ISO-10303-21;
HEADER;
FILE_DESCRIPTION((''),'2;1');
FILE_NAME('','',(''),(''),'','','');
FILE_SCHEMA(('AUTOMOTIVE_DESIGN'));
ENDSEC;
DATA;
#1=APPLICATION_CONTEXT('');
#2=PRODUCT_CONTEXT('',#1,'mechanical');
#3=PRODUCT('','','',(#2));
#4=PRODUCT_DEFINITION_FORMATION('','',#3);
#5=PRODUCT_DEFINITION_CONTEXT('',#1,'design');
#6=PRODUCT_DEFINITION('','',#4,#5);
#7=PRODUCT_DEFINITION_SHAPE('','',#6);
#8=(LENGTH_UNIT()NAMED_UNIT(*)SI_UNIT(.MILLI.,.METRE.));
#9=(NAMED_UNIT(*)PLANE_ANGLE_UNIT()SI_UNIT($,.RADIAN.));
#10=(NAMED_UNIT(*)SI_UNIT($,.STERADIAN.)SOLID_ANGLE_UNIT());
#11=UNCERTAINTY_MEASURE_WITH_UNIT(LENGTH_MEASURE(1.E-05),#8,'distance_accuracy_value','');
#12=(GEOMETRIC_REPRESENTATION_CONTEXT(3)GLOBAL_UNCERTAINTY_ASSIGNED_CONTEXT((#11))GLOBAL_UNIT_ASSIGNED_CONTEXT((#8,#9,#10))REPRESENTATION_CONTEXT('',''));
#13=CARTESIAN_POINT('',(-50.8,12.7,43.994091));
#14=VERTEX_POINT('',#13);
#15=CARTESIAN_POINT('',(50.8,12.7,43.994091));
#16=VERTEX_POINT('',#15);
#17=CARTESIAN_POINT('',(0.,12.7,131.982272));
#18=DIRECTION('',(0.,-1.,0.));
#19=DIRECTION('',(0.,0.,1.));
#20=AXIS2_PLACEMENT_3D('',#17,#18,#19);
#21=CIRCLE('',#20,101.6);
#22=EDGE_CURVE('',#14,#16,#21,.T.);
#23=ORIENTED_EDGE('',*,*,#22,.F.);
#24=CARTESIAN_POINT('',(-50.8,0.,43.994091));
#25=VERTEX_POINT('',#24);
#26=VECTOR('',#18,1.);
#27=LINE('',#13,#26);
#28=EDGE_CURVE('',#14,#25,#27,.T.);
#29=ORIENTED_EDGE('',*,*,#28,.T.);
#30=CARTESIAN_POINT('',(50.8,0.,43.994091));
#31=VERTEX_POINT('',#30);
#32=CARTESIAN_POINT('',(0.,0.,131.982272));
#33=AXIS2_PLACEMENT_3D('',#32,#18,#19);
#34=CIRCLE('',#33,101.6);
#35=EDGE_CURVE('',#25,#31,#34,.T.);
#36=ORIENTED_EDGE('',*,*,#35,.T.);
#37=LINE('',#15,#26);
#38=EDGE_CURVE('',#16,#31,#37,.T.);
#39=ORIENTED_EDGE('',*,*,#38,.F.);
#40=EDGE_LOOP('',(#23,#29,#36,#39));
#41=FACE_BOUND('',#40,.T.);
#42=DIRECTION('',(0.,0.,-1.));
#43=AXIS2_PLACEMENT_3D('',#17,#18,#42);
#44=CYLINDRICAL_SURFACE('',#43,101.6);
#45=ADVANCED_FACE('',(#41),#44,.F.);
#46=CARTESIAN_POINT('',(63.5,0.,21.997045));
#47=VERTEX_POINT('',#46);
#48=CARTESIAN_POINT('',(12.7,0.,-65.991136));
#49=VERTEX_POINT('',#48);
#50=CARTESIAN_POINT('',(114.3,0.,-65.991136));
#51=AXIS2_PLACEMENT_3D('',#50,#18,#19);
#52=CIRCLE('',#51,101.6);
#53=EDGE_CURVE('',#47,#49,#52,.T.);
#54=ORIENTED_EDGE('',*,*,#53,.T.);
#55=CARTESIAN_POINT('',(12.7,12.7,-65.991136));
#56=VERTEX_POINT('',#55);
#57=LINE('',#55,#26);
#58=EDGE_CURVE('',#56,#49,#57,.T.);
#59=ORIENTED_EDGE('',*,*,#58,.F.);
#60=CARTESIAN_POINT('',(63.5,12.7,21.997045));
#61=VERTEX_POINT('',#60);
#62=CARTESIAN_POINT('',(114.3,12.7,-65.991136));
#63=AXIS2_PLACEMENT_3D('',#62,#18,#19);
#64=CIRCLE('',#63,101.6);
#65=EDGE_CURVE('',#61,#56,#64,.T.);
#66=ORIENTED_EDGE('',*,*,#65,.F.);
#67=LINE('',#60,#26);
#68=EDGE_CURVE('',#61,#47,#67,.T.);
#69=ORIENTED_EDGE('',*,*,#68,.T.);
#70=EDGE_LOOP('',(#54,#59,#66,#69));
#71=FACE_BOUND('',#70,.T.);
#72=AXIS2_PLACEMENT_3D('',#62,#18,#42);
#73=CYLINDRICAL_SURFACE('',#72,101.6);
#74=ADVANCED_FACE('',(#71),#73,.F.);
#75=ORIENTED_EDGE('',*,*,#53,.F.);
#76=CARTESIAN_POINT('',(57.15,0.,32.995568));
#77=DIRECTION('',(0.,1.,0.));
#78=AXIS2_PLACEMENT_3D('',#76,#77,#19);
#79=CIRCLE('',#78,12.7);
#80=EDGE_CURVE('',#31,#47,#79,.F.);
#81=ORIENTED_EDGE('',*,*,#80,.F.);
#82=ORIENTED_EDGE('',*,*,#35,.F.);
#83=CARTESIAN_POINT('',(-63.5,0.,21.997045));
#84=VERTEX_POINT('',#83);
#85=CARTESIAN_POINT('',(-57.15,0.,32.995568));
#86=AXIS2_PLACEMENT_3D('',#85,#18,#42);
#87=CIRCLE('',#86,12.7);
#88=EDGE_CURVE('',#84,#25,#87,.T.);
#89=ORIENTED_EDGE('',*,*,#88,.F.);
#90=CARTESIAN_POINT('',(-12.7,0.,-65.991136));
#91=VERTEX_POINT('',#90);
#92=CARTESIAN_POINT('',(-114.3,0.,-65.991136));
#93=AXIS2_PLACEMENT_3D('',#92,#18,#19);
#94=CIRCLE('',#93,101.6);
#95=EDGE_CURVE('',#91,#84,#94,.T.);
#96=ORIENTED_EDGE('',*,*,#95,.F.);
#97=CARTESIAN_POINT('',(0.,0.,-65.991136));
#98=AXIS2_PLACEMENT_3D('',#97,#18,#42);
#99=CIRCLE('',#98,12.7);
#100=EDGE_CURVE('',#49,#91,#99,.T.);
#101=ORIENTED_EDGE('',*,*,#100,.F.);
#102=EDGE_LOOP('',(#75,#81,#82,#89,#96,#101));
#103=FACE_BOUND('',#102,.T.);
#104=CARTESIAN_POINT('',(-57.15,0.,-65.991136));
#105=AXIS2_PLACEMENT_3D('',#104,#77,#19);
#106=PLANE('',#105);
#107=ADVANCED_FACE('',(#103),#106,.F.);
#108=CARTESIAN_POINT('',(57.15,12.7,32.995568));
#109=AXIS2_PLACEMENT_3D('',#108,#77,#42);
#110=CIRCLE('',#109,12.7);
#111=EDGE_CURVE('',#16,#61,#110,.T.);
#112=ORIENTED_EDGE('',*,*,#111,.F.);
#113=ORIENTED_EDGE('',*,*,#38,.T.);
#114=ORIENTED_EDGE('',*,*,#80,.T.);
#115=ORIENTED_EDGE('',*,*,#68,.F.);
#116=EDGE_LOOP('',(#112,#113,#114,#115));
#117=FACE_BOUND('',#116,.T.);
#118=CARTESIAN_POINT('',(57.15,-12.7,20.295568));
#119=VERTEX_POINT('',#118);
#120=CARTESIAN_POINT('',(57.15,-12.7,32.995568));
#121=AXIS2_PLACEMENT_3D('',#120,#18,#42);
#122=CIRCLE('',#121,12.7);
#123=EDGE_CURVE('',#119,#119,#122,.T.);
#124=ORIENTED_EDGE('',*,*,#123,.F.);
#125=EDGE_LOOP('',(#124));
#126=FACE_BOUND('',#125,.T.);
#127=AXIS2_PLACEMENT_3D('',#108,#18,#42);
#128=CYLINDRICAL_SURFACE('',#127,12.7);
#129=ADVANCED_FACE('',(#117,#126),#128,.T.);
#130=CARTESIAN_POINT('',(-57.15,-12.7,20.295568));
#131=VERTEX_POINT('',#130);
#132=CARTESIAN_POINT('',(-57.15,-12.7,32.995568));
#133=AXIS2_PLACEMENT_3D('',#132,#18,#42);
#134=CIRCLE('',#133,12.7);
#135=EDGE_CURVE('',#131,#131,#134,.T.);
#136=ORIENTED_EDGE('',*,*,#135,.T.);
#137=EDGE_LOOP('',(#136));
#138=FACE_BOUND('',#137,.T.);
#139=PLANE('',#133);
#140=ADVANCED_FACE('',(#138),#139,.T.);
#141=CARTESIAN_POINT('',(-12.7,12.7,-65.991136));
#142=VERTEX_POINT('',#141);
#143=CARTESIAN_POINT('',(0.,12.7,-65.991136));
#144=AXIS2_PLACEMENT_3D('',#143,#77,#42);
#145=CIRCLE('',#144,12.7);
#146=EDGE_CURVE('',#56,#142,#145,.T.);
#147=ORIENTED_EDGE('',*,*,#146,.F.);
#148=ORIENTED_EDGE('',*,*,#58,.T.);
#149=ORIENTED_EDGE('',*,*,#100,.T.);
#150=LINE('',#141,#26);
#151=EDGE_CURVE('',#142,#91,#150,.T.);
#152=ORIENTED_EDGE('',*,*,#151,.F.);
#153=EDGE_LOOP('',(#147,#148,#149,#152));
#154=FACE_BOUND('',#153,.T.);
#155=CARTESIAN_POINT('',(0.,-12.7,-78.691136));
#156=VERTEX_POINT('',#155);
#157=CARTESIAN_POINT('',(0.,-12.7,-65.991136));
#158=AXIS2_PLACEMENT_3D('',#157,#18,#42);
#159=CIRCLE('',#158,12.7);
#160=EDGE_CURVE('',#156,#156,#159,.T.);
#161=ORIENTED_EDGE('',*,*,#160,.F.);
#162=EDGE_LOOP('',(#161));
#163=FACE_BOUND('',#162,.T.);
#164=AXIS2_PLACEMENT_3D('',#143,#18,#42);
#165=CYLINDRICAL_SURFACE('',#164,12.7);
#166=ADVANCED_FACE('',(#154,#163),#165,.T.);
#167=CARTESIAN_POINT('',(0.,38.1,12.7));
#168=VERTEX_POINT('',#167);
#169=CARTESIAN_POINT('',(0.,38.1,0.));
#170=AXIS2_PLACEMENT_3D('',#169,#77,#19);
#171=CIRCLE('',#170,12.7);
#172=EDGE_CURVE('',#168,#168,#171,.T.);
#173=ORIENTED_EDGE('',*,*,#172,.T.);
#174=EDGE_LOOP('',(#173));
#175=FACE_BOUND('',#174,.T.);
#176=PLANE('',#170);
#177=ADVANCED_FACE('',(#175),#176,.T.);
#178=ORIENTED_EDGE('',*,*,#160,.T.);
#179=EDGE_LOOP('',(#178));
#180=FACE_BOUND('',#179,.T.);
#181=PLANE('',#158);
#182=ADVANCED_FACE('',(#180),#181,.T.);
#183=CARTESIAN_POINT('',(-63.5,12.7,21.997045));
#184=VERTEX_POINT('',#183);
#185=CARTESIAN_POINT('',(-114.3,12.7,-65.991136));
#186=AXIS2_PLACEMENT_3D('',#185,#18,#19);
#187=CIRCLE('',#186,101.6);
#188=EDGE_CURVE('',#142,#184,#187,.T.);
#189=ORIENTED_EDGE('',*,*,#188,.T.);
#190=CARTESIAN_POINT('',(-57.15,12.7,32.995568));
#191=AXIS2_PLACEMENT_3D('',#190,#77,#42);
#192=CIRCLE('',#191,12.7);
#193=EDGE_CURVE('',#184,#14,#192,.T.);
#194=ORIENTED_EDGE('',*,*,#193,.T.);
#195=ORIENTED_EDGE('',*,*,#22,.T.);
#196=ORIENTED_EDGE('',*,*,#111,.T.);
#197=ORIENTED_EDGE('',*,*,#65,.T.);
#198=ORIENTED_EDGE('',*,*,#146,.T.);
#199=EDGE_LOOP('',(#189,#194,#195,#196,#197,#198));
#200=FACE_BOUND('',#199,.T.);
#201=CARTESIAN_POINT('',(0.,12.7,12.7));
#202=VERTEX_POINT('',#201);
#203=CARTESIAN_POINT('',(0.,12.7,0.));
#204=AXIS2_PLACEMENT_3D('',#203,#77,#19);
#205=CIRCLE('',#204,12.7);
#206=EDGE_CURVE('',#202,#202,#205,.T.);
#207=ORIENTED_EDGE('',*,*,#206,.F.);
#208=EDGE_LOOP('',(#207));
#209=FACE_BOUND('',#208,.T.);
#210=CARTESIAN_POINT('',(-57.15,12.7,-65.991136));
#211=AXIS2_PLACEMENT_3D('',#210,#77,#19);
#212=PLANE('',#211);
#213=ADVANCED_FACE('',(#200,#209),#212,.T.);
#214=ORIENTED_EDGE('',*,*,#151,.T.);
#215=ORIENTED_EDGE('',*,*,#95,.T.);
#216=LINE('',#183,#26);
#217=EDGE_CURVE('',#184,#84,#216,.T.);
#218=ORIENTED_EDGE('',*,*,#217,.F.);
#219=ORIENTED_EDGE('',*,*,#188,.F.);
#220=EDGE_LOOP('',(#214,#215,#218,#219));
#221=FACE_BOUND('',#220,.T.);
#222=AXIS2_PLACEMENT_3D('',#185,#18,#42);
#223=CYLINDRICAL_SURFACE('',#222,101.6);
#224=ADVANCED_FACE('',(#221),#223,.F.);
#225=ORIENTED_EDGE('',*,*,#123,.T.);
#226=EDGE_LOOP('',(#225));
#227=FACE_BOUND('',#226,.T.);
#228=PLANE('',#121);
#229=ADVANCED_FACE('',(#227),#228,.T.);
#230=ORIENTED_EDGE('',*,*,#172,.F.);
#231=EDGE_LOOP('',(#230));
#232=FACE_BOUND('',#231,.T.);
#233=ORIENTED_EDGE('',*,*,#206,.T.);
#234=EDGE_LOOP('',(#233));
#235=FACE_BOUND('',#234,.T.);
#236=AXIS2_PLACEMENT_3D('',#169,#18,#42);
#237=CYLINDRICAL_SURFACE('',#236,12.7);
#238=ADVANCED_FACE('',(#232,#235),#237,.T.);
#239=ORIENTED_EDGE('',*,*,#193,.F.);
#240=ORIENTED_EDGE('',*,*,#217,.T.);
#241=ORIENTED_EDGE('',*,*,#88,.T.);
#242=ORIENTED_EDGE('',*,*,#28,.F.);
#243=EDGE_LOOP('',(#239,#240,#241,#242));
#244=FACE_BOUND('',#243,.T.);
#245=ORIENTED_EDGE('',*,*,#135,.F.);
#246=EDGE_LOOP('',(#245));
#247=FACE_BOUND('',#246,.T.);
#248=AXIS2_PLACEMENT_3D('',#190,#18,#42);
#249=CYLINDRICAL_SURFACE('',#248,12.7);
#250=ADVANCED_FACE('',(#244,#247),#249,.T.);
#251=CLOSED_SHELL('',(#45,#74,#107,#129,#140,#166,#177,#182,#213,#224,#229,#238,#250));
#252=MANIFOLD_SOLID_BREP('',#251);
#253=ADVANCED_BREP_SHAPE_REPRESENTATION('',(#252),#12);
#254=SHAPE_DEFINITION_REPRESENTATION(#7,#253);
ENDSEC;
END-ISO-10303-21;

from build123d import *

# Parameters (mm, degrees)
BOSS_EXTRUDE1_DEPTH = 12.7
SKETCH2_R           = 12.7
BOSS_EXTRUDE2_DEPTH = 25.4
BOSS_EXTRUDE3_START = 12.7
SKETCH3_R           = 12.7
BOSS_EXTRUDE3_DEPTH = 12.7


with BuildPart() as part:
    # Sketch1 → Boss-Extrude1 (new body)
    with BuildSketch(Plane(origin=(0, 0, 0), x_dir=(1, 0, 0), z_dir=(0, 1, 0))):
        with BuildLine():
            ThreePointArc((-50.8, -43.994090512), (-68.148522628, -39.345567884), (-63.5, -21.997045256))
            ThreePointArc((-63.5, -21.997045256), (-26.311818976, 15.191135768), (-12.7, 65.991135768))
            ThreePointArc((-12.7, 65.991135768), (0, 78.691135768), (12.7, 65.991135768))
            ThreePointArc((12.7, 65.991135768), (26.311818976, 15.191135768), (63.5, -21.997045256))
            ThreePointArc((63.5, -21.997045256), (68.148522628, -39.345567884), (50.8, -43.994090512))
            ThreePointArc((50.8, -43.994090512), (0, -30.382271537), (-50.8, -43.994090512))
        make_face()
    extrude(amount=BOSS_EXTRUDE1_DEPTH)

    # Sketch2 → Boss-Extrude2 (add)
    with BuildSketch(Plane(origin=(0, 12.7, 0), x_dir=(1, 0, 0), z_dir=(0, 1, 0))):
        with Locations(Location((0, 0, 0), (0, 0, 270))):
            Circle(SKETCH2_R)
    extrude(amount=BOSS_EXTRUDE2_DEPTH)

    # Sketch3 → Boss-Extrude3 (add)
    with BuildSketch(Plane.XZ.offset(BOSS_EXTRUDE3_START)):
        with Locations(Location((-57.15, 32.995567884, 0), (0, 0, 270))):
            Circle(SKETCH3_R)
        with Locations(Location((57.15, 32.995567884, 0), (0, 0, 270))):
            Circle(SKETCH3_R)
        with Locations(Location((0, -65.991135768, 0), (0, 0, 270))):
            Circle(SKETCH3_R)
    extrude(amount=-BOSS_EXTRUDE3_DEPTH)


solid = part.part
